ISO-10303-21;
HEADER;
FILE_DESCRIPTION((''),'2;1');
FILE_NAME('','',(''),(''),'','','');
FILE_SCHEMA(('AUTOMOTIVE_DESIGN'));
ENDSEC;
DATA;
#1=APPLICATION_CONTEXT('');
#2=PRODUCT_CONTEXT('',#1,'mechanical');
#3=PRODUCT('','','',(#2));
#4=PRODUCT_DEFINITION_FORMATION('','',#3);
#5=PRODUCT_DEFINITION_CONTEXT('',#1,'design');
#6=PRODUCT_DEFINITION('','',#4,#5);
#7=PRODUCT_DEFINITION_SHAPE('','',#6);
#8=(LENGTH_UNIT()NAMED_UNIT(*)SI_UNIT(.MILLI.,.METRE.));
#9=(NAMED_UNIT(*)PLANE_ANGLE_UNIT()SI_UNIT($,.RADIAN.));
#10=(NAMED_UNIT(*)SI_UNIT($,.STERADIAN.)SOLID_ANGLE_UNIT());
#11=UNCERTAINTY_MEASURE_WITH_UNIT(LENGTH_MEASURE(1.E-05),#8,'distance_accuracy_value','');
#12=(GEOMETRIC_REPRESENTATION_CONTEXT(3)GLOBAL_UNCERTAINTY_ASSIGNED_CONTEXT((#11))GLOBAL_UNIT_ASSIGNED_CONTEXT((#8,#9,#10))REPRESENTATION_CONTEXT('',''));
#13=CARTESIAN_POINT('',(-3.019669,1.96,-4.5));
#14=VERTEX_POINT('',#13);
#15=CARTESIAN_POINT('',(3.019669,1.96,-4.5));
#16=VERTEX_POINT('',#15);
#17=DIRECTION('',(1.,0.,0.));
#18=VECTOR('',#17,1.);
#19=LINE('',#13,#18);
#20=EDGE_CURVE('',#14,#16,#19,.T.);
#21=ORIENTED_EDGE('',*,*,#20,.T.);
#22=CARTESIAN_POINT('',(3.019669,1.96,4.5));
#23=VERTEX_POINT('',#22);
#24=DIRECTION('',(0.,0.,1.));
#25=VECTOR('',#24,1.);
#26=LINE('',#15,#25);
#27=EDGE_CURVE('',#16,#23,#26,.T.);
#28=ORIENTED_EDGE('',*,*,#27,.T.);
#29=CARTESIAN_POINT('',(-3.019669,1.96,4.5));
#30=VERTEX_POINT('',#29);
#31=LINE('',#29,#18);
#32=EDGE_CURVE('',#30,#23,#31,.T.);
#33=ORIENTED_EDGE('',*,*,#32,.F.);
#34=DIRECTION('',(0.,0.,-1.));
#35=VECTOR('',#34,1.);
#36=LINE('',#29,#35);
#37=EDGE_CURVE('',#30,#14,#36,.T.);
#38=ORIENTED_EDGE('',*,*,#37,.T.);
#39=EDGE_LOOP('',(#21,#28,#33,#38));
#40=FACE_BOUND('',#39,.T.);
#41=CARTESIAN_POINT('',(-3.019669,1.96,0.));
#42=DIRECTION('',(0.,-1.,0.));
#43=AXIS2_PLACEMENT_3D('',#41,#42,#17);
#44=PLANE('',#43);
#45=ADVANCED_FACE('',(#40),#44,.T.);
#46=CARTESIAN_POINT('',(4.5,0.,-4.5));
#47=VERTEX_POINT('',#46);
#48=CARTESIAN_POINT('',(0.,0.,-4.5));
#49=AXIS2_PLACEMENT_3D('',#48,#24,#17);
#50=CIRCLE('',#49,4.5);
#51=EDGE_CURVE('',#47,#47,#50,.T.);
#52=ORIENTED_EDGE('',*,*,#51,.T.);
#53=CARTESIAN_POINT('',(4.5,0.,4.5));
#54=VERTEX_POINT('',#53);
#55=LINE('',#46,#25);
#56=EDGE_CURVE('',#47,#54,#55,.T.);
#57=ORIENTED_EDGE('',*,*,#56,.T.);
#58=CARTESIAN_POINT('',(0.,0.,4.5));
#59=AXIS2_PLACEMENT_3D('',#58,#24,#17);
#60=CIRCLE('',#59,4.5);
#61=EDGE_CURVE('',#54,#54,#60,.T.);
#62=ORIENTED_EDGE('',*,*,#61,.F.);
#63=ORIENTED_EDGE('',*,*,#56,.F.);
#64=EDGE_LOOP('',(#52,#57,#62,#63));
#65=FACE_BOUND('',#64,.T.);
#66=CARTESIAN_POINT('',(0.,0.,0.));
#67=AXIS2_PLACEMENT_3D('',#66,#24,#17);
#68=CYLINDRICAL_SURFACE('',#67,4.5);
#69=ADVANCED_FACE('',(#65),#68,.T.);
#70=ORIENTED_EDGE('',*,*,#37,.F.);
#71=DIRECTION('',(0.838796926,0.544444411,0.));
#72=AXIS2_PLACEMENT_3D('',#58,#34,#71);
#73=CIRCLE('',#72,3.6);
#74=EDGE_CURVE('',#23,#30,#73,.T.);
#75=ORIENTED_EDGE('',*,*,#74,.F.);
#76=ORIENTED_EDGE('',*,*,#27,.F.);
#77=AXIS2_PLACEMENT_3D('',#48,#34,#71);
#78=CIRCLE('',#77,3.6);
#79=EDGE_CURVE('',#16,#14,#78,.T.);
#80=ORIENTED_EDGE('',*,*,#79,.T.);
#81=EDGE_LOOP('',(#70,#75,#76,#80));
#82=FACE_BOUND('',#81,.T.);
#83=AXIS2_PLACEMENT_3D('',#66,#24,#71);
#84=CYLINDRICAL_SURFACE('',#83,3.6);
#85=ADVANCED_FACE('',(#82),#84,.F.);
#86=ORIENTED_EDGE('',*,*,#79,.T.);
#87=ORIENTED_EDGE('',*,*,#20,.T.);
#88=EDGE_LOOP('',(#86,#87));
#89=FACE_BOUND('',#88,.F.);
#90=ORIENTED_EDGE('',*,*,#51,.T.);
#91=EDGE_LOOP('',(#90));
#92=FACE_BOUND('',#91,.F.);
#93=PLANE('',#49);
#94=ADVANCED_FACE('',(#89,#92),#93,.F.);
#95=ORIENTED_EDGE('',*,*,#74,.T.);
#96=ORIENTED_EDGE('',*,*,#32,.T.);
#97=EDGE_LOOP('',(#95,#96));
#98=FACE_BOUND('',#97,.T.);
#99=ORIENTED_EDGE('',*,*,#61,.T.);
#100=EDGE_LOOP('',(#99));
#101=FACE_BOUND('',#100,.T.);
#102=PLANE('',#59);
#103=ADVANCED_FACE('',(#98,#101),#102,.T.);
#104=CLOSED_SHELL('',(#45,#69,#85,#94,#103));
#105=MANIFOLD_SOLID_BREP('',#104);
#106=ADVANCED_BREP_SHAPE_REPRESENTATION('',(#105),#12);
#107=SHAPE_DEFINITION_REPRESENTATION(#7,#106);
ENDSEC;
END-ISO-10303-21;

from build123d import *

# Parameters (mm, degrees)
F0_R          = 4.5
F1_DEPTH      = 4.5
F1_DEPTH_BACK = 4.5


with BuildPart() as f1:
    # F0 (on Top) → F1 (new body, two sides)
    with BuildSketch(Plane.XY) as f1_sk:
        Circle(F0_R)
        with BuildLine():
            ThreePointArc((3.019669, 1.96), (0, -3.6), (-3.019669, 1.96))
            Line((-3.019669, 1.96), (3.019669, 1.96))
        make_face(mode=Mode.SUBTRACT)
    extrude(amount=F1_DEPTH)
    extrude(f1_sk.sketch, amount=-F1_DEPTH_BACK)


solid = f1.part
